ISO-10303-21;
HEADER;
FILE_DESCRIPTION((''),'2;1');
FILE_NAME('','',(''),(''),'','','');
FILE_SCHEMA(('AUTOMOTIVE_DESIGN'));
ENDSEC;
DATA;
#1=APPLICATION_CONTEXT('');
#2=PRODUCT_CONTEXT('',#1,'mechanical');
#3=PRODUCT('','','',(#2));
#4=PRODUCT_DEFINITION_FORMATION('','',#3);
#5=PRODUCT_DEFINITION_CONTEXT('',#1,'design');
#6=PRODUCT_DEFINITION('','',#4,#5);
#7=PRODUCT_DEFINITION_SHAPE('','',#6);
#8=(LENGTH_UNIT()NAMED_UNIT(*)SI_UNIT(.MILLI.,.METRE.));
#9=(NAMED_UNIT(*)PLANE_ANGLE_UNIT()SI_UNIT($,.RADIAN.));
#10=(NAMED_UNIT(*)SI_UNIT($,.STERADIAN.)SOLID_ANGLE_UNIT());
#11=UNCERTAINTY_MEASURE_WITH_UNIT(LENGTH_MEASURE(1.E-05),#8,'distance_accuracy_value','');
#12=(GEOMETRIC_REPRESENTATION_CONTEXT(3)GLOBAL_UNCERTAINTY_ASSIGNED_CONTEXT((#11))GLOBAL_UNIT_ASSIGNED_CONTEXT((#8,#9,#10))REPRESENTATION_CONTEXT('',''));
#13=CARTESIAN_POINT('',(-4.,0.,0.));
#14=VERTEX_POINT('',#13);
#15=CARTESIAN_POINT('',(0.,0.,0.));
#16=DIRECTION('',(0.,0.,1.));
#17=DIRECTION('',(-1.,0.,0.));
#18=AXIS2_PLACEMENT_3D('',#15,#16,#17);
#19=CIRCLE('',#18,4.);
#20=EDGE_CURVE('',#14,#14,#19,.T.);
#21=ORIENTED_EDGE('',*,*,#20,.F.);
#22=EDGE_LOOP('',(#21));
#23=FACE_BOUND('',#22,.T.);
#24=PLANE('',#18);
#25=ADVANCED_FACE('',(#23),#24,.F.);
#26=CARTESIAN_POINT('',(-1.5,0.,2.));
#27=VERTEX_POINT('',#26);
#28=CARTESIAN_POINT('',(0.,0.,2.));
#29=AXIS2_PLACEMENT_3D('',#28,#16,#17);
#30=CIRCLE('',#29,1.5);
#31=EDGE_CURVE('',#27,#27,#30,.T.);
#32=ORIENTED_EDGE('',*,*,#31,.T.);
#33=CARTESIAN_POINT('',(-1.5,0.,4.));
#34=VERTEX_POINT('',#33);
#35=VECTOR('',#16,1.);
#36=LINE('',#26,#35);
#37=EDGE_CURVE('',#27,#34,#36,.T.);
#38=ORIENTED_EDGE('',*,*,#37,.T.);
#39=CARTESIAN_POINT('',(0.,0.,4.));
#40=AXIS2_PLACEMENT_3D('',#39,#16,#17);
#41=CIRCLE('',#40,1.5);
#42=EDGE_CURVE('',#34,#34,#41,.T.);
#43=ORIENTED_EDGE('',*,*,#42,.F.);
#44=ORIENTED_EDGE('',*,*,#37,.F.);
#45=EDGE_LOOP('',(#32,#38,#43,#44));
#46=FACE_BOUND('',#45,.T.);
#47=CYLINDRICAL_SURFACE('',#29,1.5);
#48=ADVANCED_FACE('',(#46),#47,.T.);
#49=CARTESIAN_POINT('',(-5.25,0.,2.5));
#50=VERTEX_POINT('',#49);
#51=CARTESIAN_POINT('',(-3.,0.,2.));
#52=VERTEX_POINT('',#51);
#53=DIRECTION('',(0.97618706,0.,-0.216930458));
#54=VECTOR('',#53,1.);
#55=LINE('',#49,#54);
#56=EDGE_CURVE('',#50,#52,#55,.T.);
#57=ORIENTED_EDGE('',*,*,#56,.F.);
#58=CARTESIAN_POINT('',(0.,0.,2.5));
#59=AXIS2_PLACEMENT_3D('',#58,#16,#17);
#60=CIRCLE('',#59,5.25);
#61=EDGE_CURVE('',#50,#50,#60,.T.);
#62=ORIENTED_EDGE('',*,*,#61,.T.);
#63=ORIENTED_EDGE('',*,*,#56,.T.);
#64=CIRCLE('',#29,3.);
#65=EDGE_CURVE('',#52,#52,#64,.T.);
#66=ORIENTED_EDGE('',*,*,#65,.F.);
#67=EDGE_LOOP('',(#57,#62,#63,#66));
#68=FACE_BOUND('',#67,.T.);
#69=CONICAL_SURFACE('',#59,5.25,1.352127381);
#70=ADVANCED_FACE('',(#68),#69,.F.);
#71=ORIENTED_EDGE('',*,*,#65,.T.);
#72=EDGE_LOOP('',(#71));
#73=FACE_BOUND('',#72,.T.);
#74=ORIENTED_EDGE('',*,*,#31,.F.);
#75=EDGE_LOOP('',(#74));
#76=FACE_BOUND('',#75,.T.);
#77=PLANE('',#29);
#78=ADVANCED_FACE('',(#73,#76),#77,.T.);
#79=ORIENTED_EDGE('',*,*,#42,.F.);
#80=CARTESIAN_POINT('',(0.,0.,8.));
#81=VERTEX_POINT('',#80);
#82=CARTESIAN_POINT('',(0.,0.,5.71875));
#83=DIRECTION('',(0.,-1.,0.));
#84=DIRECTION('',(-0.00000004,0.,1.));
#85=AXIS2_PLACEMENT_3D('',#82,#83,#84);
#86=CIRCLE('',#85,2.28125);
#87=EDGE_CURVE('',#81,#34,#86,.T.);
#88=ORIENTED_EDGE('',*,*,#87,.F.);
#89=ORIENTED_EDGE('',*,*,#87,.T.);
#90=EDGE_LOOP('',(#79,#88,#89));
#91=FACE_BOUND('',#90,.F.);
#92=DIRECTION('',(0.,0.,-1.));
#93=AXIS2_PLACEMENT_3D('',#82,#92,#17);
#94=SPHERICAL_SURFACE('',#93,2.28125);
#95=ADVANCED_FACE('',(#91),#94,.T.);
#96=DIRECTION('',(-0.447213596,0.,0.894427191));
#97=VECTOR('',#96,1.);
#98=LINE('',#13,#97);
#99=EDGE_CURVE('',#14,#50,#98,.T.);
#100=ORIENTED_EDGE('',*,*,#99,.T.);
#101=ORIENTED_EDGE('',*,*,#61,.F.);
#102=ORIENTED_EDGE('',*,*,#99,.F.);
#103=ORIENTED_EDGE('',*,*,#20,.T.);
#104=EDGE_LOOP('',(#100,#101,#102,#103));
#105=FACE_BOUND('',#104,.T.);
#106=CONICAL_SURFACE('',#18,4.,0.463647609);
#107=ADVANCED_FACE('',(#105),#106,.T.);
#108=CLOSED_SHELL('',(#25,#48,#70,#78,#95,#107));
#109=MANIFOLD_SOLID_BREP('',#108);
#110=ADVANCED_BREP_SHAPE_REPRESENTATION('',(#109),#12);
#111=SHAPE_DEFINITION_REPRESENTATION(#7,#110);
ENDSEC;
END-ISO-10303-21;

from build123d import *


with BuildPart() as part:
    # Sketch → Revolution (revolve)
    with BuildSketch(Plane.XZ):
        with BuildLine():
            Line((0, 0), (-4, 0))
            Line((-4, 0), (-5.25, 2.5))
            Line((-5.25, 2.5), (-3, 2))
            Line((-3, 2), (-1.5, 2))
            Line((-1.5, 2), (-1.5, 4))
            ThreePointArc((0, 8), (-2.136001, 6.51975), (-1.5, 4))
            Line((0, 8), (0, 0))
        make_face()
    revolve(axis=Axis((0, 0, 0), (0, 0, 1)))


solid = part.part
